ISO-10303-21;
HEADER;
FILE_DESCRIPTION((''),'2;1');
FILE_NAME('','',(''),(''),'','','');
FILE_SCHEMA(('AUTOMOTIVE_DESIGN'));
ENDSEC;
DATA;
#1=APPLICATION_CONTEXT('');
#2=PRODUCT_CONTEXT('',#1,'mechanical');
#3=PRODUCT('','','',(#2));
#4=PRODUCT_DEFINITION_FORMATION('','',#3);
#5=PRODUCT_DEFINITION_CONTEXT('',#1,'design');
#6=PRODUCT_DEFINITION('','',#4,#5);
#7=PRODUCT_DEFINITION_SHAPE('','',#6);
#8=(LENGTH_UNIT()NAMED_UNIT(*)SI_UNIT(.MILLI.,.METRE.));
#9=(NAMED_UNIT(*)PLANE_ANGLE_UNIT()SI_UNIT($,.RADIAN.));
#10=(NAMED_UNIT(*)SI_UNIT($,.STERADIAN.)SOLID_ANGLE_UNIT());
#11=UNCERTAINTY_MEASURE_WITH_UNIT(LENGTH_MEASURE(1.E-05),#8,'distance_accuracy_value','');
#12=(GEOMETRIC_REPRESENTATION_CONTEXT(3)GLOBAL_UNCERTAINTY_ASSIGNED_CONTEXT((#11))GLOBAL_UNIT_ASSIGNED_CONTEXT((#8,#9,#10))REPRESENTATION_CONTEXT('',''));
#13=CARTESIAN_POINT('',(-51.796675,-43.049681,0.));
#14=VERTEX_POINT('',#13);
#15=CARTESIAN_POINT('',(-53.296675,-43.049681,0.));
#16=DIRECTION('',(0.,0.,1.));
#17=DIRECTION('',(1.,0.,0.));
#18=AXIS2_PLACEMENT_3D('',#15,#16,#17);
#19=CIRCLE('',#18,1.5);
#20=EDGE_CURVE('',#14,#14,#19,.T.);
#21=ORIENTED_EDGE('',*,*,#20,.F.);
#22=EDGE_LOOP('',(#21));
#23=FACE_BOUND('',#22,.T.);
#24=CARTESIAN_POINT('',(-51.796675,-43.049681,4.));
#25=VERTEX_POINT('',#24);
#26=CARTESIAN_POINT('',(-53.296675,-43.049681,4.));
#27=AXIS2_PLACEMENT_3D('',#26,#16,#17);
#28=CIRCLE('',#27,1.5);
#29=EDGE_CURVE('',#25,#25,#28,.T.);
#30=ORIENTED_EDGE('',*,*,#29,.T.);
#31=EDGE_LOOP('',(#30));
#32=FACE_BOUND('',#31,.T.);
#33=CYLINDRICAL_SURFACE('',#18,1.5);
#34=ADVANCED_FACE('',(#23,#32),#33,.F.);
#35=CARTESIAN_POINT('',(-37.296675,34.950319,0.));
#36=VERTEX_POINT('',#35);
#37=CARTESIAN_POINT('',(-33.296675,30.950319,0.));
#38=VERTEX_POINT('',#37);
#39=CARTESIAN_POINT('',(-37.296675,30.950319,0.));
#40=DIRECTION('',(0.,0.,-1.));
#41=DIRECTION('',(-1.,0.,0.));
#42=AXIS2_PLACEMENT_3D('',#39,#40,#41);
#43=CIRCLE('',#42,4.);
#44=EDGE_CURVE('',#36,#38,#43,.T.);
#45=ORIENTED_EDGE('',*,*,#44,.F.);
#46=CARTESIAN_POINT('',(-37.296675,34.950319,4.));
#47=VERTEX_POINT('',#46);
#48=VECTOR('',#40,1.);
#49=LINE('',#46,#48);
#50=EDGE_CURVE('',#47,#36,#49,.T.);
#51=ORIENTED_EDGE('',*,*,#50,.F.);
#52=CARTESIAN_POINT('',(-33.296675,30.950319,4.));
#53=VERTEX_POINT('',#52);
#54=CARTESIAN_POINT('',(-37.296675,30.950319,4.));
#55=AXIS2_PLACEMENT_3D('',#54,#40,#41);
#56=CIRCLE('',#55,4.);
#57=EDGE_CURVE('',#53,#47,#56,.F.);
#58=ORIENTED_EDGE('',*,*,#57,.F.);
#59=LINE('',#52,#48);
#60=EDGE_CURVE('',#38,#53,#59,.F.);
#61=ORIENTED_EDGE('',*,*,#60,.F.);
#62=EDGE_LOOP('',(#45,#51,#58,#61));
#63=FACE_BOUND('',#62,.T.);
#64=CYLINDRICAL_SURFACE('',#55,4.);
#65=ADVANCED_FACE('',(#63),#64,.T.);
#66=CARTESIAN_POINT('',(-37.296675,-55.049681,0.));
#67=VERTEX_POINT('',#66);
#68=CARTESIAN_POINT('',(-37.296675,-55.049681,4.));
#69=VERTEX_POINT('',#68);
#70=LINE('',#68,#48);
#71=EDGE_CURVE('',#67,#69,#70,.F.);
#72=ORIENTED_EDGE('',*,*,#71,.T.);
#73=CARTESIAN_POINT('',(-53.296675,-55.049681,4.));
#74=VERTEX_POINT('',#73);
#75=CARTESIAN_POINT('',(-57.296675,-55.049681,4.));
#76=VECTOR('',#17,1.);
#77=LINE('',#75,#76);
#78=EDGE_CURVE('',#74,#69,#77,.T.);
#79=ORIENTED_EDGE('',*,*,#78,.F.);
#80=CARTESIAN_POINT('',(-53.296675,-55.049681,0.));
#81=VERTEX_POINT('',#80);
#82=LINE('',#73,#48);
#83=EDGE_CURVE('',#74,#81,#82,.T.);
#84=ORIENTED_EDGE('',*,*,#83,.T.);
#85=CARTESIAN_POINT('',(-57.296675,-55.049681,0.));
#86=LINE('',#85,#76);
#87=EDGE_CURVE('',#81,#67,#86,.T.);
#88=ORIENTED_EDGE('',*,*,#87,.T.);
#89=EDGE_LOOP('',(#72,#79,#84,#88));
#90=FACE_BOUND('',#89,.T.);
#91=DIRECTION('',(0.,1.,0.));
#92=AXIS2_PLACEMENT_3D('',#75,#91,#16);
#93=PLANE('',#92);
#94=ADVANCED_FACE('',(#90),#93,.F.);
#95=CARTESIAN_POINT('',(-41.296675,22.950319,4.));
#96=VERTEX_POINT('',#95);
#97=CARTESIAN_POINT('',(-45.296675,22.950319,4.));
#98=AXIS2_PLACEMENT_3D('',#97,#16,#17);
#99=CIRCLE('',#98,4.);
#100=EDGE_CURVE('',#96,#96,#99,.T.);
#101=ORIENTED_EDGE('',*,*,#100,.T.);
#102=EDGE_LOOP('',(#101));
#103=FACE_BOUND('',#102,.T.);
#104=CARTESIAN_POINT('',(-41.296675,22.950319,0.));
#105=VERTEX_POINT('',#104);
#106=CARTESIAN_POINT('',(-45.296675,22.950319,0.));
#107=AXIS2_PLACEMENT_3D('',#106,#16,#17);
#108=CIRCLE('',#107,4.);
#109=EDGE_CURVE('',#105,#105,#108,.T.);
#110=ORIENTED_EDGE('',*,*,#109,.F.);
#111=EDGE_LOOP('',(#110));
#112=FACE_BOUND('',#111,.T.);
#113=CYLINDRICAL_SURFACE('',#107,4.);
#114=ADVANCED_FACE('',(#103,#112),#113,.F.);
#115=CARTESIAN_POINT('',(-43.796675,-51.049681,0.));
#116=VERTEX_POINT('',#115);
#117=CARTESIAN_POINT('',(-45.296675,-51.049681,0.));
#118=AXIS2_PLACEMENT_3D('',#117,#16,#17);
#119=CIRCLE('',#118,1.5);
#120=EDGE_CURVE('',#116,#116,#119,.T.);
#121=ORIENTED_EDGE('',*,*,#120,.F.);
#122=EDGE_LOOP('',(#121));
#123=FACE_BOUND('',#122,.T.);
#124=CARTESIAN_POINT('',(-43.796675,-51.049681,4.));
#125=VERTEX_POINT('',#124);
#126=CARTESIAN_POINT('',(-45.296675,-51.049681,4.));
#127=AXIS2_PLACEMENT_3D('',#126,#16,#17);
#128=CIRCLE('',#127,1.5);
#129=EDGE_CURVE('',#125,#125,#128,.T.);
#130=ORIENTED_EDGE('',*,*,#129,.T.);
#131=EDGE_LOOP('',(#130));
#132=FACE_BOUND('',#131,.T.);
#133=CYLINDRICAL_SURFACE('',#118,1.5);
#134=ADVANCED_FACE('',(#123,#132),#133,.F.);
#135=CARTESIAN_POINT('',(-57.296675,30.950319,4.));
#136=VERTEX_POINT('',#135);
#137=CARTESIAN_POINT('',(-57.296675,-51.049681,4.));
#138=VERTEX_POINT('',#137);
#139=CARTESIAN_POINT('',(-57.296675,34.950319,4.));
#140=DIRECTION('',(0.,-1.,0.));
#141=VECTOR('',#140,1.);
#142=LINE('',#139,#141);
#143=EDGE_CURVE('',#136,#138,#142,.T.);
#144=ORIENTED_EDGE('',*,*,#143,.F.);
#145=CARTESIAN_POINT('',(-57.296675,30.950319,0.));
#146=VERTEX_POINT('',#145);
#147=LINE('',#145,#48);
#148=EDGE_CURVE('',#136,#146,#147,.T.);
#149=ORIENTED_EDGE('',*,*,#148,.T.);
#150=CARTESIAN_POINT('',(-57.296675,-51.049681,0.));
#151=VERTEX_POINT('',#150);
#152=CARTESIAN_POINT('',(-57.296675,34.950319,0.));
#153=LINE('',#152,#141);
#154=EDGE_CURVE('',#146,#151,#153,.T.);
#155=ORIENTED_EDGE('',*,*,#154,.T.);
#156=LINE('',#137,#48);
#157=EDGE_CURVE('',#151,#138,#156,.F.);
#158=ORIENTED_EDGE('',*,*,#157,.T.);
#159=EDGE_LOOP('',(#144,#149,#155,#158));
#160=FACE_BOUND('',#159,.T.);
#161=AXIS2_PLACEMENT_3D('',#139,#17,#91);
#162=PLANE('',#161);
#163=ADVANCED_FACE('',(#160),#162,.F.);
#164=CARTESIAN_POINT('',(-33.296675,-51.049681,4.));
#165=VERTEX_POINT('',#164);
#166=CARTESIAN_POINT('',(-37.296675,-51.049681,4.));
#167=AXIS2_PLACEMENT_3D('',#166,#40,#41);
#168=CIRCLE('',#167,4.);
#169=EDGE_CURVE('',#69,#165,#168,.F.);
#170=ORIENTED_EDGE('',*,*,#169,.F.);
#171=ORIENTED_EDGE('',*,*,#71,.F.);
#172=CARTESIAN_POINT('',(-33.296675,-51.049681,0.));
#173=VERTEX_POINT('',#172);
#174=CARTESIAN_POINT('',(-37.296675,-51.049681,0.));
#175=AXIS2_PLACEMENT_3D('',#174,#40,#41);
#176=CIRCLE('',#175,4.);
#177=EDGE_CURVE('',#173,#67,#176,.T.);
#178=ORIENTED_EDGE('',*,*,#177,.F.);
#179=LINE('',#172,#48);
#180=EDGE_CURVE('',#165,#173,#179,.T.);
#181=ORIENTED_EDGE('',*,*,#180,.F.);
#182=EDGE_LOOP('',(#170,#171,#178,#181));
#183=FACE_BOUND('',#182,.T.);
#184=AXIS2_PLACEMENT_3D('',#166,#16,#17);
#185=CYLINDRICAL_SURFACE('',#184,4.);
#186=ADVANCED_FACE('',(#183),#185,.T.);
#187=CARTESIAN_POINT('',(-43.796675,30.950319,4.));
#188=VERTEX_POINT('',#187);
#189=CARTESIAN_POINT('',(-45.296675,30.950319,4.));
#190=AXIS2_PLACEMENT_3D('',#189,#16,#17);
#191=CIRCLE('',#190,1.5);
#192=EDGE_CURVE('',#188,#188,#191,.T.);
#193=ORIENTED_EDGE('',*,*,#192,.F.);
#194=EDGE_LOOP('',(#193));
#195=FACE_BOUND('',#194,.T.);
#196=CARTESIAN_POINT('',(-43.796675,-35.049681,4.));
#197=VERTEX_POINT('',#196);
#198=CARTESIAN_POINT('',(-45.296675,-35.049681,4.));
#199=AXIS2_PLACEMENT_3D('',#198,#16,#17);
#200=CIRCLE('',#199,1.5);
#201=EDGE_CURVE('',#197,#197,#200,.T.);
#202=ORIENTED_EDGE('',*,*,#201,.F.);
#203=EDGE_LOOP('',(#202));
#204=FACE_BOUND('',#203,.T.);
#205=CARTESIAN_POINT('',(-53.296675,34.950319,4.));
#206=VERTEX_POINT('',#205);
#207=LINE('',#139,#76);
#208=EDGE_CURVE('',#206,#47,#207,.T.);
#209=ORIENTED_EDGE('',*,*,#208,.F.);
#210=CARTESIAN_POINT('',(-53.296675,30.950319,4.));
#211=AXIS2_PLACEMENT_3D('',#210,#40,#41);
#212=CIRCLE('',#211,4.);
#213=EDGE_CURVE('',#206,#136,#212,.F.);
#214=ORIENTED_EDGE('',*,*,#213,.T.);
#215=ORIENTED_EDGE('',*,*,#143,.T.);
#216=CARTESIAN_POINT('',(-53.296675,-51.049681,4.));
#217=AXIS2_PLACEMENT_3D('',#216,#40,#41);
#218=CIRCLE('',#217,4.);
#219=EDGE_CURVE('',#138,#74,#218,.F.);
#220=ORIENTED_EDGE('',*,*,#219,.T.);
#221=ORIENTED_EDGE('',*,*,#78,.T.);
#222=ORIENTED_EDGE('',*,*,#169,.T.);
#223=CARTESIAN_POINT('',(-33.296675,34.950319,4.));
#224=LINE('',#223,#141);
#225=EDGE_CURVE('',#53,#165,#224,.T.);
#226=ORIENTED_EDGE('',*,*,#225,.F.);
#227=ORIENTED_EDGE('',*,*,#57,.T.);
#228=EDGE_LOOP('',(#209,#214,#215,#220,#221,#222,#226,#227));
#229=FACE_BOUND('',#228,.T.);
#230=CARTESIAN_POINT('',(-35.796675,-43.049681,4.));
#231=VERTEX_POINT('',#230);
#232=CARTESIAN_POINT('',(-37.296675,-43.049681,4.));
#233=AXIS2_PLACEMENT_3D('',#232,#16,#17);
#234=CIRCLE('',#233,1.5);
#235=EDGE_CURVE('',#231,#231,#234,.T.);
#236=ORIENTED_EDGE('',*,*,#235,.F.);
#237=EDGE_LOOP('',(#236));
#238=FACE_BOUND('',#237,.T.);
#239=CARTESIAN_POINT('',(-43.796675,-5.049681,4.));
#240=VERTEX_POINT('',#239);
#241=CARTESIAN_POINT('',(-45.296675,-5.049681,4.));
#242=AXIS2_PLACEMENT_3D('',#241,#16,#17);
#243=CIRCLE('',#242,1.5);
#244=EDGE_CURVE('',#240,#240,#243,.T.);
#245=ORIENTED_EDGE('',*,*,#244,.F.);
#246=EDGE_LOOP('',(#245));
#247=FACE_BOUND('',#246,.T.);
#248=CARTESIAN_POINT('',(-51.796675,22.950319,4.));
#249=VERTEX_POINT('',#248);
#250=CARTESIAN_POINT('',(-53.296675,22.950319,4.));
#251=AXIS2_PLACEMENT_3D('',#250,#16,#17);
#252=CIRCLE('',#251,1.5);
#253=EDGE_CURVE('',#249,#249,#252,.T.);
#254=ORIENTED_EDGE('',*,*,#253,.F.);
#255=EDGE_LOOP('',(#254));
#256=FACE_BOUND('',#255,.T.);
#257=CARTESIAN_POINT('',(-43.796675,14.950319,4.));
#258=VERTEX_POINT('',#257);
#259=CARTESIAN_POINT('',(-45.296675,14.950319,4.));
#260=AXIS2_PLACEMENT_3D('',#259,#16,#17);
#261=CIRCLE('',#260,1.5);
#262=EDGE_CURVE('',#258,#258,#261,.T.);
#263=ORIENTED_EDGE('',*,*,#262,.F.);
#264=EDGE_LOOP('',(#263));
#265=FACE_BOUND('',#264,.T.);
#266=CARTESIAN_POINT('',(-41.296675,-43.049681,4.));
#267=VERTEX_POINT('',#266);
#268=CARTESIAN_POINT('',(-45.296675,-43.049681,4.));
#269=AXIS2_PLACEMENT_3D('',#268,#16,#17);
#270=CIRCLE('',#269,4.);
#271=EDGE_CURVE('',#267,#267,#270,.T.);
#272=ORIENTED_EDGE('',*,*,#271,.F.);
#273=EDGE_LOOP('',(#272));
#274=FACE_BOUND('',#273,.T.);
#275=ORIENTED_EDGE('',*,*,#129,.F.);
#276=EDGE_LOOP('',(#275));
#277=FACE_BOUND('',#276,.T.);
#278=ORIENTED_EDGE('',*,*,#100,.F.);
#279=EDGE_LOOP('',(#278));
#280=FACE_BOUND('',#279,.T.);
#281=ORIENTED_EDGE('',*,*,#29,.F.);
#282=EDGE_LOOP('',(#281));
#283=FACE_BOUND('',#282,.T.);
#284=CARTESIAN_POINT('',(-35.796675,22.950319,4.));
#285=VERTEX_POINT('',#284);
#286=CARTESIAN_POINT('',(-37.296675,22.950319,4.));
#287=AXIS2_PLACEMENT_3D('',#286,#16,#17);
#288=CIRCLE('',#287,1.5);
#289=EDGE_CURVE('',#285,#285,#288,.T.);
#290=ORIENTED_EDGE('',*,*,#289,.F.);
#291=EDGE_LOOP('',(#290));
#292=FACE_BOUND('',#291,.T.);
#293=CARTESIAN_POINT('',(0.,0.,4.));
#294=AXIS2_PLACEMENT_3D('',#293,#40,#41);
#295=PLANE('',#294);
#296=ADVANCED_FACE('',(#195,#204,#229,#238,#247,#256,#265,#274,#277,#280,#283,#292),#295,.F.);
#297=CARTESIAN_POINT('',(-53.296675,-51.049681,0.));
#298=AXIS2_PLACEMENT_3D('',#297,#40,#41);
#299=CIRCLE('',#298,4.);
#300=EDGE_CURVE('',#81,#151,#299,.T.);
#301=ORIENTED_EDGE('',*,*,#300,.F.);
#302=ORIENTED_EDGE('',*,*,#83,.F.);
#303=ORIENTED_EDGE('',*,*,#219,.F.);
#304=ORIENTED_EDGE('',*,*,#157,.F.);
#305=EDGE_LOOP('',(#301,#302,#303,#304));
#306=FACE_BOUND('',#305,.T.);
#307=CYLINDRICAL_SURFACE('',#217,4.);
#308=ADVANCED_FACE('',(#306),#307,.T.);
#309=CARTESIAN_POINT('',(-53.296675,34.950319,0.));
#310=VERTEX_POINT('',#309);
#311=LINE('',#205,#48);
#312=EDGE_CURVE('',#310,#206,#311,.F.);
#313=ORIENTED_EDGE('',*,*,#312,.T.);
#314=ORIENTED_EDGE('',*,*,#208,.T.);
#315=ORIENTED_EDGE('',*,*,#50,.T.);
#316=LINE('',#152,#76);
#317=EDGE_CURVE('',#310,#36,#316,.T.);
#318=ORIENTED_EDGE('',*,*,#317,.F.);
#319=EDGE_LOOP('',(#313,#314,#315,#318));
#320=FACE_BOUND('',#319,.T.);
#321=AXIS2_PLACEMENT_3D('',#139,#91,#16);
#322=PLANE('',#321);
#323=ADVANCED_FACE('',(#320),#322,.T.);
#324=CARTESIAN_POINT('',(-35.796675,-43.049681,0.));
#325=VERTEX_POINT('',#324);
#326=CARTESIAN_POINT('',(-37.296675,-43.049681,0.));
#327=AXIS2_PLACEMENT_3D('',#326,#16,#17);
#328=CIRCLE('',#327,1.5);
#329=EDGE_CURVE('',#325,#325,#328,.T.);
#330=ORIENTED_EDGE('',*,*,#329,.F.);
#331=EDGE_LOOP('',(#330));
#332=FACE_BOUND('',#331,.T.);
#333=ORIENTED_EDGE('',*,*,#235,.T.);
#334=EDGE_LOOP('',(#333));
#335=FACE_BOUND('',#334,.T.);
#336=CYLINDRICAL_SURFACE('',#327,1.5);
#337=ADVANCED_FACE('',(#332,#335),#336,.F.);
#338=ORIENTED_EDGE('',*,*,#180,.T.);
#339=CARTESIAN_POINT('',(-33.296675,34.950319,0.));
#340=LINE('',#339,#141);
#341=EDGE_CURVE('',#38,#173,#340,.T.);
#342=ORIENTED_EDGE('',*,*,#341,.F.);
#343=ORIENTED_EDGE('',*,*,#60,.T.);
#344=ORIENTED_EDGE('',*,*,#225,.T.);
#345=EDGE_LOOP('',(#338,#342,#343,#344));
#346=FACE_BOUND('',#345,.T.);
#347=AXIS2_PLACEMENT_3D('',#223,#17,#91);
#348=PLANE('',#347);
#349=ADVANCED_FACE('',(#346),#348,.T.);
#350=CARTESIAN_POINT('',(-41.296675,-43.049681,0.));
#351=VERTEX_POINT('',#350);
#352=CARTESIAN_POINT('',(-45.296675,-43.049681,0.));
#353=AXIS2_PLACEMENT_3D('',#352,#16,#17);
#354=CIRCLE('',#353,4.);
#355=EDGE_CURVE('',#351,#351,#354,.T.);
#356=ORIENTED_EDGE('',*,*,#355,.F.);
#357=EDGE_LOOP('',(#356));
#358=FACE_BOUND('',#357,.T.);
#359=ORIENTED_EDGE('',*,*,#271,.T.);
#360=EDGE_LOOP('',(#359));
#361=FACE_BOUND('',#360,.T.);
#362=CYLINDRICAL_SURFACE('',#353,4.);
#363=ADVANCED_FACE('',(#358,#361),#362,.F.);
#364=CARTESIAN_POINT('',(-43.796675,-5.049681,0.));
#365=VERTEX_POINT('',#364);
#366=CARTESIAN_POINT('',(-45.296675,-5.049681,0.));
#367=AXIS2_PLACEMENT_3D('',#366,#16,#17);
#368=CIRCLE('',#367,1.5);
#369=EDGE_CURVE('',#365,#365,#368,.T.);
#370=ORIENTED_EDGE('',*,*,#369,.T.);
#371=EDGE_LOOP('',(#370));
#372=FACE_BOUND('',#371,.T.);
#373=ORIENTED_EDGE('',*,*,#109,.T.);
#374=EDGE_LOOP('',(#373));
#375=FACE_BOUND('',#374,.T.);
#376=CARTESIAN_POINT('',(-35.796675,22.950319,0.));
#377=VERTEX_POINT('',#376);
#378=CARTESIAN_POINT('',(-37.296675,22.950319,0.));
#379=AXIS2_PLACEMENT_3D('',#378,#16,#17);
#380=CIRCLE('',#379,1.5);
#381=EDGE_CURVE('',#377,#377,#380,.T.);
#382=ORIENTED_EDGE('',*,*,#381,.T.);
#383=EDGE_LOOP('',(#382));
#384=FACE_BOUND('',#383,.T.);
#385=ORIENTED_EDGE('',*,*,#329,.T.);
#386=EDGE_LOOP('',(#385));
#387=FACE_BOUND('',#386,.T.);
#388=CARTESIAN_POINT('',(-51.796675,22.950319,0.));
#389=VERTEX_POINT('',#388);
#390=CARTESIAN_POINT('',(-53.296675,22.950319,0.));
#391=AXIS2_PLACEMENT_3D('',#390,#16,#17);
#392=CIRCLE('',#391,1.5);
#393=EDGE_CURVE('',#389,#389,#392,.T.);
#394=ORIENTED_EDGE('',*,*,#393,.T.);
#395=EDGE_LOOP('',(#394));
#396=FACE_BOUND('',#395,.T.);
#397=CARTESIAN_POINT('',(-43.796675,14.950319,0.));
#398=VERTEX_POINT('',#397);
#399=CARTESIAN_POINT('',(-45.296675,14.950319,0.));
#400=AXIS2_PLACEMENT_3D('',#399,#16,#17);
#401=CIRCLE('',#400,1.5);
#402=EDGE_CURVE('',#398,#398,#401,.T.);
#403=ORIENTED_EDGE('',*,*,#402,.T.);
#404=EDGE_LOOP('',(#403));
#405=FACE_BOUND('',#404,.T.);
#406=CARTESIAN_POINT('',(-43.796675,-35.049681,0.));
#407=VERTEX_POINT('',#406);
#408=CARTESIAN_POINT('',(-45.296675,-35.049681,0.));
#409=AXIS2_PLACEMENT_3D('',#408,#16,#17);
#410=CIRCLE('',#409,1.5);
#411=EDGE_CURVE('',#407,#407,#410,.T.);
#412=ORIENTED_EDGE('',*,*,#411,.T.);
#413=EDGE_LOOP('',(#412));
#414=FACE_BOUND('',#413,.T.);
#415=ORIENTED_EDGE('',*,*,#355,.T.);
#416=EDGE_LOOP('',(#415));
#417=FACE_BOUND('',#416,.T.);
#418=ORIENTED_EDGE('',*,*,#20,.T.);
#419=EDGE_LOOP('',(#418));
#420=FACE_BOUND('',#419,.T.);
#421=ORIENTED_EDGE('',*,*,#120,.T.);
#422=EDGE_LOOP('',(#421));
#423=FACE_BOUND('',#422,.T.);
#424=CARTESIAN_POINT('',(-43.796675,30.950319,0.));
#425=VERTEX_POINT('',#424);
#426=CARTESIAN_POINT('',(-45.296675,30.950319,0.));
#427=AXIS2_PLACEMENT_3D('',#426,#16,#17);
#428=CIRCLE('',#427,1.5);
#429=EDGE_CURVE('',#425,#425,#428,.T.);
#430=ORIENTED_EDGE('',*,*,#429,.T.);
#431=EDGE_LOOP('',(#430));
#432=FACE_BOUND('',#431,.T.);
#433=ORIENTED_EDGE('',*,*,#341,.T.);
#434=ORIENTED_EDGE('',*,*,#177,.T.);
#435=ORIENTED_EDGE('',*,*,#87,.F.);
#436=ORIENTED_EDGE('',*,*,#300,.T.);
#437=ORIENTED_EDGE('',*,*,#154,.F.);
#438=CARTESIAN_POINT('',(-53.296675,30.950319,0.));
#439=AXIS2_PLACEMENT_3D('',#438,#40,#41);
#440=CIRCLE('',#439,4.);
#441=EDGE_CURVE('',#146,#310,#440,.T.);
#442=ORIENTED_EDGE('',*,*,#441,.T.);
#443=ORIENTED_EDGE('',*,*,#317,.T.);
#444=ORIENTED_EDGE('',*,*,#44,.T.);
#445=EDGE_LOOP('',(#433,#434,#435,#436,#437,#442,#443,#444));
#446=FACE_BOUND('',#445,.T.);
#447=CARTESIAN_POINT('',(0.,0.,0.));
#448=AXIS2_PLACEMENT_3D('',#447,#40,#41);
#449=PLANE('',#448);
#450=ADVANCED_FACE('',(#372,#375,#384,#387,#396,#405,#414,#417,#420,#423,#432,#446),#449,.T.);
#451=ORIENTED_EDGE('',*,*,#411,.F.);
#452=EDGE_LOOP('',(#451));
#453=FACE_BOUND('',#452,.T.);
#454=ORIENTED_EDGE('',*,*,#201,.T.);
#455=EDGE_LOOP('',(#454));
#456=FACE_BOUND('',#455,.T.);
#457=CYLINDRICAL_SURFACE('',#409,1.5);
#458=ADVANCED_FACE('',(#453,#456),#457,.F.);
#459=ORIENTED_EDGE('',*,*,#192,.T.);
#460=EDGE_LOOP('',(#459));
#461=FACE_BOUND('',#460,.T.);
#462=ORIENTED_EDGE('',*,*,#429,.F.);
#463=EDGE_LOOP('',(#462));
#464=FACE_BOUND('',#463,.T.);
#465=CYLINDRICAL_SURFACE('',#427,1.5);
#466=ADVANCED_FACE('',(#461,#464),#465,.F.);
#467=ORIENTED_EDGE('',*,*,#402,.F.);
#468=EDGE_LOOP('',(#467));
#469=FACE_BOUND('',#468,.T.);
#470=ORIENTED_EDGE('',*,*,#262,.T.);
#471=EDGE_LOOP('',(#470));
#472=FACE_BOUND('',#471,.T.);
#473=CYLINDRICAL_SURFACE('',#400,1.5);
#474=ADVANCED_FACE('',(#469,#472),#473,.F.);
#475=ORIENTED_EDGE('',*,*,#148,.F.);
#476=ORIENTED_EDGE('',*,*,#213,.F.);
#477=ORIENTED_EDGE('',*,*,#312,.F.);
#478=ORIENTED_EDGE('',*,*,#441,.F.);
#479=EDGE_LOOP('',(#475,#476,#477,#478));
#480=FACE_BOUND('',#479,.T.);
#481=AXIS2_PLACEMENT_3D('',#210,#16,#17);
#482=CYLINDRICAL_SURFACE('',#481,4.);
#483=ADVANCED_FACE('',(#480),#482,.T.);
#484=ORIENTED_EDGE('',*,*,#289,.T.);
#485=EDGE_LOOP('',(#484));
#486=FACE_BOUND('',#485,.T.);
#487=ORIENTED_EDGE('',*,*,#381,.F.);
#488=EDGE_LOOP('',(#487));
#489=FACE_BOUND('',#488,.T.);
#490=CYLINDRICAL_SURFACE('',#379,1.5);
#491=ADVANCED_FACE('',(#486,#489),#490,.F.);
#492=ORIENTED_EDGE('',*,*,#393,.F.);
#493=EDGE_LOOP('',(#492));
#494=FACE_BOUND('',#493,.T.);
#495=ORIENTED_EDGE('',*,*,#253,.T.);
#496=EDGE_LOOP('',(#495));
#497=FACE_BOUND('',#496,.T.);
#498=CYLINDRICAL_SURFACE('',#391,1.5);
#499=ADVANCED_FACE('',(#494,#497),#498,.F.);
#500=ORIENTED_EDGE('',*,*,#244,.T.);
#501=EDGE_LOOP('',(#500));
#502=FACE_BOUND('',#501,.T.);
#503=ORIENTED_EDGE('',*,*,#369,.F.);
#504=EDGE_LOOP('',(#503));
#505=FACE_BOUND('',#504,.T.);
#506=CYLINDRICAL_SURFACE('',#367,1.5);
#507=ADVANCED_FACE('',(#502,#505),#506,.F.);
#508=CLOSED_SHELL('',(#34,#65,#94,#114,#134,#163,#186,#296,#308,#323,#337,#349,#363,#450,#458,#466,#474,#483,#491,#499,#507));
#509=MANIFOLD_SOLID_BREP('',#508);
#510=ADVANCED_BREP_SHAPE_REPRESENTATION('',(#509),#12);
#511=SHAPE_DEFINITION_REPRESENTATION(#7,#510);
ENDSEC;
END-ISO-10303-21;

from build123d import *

# Parameters (mm, degrees)
SKETCH1_W           = 24
SKETCH1_H           = 90
BOSS_EXTRUDE1_DEPTH = 4
SKETCH2_R           = 4
SKETCH2_R_2         = 1.5
CUT_EXTRUDE1_DEPTH  = 4
FILLET1_R           = 4
SKETCH3_R           = 1.5
CUT_EXTRUDE2_DEPTH  = 4


with BuildPart() as part:
    # Sketch1 → Boss-Extrude1 (new body)
    with BuildSketch(Plane.XY):
        with Locations((-45.296675466, -10.049681021)):
            Rectangle(SKETCH1_W, SKETCH1_H)
    extrude(amount=BOSS_EXTRUDE1_DEPTH)

    # Sketch2 → Cut-Extrude1 (cut)
    with BuildSketch(Plane.XY.offset(4)):
        with Locations((-45.296675466, -43.049681021)):
            Circle(SKETCH2_R)
        with Locations((-37.296675466, -43.049681021)):
            Circle(SKETCH2_R_2)
        with Locations((-45.296675466, -51.049681021)):
            Circle(SKETCH2_R_2)
        with Locations((-53.296675466, -43.049681021)):
            Circle(SKETCH2_R_2)
        with Locations((-45.296675466, -35.049681021)):
            Circle(SKETCH2_R_2)
        with Locations((-45.296675466, 30.950318979)):
            Circle(SKETCH2_R_2)
        with Locations((-37.296675466, 22.950318979)):
            Circle(SKETCH2_R_2)
        with Locations((-45.296675466, 14.950318979)):
            Circle(SKETCH2_R_2)
        with Locations((-53.296675466, 22.950318979)):
            Circle(SKETCH2_R_2)
        with Locations((-45.296675466, 22.950318979)):
            Circle(SKETCH2_R)
    extrude(amount=-CUT_EXTRUDE1_DEPTH, mode=Mode.SUBTRACT)

    # Fillet1
    fillet1_edges = [part.edges().sort_by_distance(p)[0] for p in [
        (-57.296675466, 34.950318979, 2),
        (-57.296675466, -55.049681021, 2),
        (-33.296675466, -55.049681021, 2),
        (-33.296675466, 34.950318979, 2),
    ]]
    fillet(fillet1_edges, radius=FILLET1_R)

    # Sketch3 → Cut-Extrude2 (cut)
    with BuildSketch(Plane.XY.offset(4)):
        with Locations((-45.296675466, -5.049681021)):
            Circle(SKETCH3_R)
    extrude(amount=-CUT_EXTRUDE2_DEPTH, mode=Mode.SUBTRACT)


solid = part.part
